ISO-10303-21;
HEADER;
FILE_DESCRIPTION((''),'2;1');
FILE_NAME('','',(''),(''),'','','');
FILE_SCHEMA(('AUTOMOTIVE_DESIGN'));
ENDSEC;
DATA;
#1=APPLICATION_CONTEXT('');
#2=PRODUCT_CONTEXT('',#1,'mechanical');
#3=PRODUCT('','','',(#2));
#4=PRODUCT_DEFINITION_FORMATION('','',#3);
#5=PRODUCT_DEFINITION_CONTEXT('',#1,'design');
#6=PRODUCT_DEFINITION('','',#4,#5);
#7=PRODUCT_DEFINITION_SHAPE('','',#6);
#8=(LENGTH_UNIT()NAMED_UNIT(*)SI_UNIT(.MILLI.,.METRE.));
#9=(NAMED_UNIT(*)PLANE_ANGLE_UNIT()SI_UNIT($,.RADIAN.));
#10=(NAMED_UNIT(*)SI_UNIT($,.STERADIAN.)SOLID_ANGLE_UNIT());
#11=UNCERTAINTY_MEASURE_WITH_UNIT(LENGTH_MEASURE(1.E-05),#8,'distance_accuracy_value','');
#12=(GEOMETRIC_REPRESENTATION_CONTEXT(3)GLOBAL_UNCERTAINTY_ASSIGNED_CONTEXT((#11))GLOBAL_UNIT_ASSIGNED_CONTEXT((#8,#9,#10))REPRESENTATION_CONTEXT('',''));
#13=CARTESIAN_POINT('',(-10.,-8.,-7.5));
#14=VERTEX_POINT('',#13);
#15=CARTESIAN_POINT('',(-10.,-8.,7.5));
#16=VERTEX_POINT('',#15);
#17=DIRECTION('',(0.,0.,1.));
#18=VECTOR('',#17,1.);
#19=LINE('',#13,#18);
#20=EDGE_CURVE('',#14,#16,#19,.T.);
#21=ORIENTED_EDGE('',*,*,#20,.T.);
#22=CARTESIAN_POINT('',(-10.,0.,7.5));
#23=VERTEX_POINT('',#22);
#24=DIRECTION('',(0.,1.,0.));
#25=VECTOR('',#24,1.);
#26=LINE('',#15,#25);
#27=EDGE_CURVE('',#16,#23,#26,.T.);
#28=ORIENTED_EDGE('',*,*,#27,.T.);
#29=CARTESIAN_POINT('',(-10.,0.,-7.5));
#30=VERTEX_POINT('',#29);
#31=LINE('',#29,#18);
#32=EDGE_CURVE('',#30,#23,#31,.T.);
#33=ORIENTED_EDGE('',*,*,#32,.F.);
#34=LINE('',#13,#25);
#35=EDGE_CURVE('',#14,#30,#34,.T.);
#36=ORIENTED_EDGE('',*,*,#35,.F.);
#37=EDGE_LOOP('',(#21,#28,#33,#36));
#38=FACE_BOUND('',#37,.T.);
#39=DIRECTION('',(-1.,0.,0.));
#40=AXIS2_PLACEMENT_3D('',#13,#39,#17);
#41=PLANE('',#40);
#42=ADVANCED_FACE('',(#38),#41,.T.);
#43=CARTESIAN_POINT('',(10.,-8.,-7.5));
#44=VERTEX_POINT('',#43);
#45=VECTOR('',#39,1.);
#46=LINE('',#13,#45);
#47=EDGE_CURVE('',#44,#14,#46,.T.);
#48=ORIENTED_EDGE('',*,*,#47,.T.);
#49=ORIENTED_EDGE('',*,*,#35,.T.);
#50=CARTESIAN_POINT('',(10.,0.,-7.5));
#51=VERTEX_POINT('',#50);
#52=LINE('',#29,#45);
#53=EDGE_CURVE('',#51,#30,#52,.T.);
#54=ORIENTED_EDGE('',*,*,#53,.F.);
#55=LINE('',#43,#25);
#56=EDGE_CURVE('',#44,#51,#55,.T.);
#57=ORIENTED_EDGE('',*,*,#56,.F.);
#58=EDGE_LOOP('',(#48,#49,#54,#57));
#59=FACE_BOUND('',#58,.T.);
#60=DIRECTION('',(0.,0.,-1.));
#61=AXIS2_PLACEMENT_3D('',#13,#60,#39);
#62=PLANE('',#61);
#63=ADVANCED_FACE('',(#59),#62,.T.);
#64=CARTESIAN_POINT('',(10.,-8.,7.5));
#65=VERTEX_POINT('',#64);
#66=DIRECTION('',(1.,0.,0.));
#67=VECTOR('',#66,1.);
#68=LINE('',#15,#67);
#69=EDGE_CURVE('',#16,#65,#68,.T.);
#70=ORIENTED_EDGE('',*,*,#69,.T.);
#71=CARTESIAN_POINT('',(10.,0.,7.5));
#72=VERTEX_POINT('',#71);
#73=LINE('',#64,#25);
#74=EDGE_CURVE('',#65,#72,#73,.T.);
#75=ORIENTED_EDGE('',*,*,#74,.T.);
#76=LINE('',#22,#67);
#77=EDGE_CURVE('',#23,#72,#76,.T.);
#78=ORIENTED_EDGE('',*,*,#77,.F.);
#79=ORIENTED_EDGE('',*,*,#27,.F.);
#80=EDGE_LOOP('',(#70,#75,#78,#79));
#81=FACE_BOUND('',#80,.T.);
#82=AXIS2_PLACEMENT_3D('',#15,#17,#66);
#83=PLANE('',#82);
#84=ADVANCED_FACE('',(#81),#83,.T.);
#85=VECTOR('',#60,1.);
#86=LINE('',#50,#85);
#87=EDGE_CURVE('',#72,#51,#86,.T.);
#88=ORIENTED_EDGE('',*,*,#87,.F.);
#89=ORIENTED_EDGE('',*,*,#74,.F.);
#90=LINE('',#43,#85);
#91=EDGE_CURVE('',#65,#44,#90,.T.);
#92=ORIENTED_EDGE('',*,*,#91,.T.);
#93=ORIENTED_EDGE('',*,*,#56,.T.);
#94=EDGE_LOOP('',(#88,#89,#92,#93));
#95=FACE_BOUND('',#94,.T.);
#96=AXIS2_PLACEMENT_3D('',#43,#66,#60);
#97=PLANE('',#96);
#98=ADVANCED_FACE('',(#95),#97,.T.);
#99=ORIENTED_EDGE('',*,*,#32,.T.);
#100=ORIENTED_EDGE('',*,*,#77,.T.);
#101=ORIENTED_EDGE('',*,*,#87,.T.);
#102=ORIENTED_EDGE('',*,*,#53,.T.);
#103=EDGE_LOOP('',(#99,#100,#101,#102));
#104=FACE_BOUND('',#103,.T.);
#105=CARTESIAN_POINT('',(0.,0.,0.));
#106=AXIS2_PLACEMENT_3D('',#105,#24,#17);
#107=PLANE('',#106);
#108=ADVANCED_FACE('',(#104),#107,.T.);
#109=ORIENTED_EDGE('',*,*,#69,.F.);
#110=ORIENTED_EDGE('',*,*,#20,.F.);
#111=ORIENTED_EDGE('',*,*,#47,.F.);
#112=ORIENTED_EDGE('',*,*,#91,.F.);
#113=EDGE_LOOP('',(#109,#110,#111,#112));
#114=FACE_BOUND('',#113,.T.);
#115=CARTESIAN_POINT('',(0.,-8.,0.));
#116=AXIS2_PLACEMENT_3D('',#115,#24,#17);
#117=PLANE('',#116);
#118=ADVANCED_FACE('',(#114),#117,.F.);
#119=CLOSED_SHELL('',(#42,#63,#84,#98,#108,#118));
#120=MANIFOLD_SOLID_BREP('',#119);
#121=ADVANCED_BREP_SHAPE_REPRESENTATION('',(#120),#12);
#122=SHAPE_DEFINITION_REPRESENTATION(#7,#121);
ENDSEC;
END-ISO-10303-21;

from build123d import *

# Parameters (mm, degrees)
CROQUIS1_W              = 20
CROQUIS1_H              = 15
SALIENTE_EXTRUIR1_DEPTH = 8


with BuildPart() as part:
    # Croquis1 → Saliente-Extruir1 (new body)
    with BuildSketch(Plane(origin=(0, 0, 0), x_dir=(1, 0, 0), z_dir=(0, 1, 0))):
        Rectangle(CROQUIS1_W, CROQUIS1_H)
    extrude(amount=-SALIENTE_EXTRUIR1_DEPTH)


solid = part.part
